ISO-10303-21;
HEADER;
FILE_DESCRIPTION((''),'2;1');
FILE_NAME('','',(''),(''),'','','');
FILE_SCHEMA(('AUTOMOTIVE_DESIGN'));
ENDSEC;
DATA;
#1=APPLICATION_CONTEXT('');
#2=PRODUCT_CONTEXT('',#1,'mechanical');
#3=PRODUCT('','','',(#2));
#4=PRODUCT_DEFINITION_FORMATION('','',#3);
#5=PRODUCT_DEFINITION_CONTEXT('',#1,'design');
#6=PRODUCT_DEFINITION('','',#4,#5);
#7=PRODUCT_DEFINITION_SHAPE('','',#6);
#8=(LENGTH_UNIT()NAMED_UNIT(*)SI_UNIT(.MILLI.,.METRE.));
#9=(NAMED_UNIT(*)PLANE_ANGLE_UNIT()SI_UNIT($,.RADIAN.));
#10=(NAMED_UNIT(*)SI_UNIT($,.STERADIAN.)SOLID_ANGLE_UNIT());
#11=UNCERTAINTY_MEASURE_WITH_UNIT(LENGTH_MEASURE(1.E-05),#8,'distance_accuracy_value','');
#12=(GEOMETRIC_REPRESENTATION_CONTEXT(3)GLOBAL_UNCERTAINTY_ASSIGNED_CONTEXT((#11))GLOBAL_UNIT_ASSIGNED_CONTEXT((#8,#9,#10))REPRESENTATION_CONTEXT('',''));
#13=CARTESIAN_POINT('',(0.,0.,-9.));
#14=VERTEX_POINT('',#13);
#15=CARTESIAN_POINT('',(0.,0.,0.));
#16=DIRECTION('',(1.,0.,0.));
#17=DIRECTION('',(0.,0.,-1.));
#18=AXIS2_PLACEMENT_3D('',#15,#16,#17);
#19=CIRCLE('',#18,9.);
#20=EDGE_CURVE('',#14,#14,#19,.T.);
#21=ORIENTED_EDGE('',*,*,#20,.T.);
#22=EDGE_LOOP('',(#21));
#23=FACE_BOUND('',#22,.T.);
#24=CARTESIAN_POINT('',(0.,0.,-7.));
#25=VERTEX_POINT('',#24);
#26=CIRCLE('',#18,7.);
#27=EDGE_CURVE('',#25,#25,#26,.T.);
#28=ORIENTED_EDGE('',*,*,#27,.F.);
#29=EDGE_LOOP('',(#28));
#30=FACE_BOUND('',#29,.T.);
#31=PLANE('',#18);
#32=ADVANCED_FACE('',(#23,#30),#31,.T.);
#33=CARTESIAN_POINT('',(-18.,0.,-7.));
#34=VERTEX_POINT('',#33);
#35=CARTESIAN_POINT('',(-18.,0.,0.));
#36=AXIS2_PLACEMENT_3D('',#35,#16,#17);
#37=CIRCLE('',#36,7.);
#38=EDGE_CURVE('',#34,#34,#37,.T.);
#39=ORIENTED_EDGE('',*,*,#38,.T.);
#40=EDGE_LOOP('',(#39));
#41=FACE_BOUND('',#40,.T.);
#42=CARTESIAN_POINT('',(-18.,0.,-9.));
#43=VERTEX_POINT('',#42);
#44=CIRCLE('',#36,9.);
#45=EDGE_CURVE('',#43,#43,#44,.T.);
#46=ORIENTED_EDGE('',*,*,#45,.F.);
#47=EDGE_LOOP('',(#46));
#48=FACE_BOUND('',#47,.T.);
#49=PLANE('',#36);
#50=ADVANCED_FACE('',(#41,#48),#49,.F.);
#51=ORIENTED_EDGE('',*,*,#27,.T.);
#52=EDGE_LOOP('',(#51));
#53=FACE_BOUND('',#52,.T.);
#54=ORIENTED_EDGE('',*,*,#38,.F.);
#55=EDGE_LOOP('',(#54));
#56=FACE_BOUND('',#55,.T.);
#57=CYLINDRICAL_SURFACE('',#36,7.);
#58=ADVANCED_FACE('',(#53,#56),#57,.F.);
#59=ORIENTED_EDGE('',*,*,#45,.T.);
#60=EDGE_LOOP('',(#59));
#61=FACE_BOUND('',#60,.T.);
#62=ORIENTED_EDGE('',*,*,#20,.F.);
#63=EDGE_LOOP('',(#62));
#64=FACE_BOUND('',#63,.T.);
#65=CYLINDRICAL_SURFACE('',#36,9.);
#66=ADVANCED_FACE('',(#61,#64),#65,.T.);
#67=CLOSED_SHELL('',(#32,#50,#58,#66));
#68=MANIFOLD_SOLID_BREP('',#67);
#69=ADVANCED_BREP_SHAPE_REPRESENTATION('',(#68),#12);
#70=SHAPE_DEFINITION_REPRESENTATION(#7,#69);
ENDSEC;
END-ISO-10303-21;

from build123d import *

# Parameters (mm, degrees)
SKETCH_1_R      = 9
SKETCH_1_R_2    = 7
EXTRUDE_1_DEPTH = 18


with BuildPart() as part:
    # 草图1 → 凸台-拉伸1 (new body)
    with BuildSketch(Plane(origin=(0, 0, 0), x_dir=(0, 0, -1), z_dir=(1, 0, 0))):
        Circle(SKETCH_1_R)
        Circle(SKETCH_1_R_2, mode=Mode.SUBTRACT)
    extrude(amount=-EXTRUDE_1_DEPTH)


solid = part.part
